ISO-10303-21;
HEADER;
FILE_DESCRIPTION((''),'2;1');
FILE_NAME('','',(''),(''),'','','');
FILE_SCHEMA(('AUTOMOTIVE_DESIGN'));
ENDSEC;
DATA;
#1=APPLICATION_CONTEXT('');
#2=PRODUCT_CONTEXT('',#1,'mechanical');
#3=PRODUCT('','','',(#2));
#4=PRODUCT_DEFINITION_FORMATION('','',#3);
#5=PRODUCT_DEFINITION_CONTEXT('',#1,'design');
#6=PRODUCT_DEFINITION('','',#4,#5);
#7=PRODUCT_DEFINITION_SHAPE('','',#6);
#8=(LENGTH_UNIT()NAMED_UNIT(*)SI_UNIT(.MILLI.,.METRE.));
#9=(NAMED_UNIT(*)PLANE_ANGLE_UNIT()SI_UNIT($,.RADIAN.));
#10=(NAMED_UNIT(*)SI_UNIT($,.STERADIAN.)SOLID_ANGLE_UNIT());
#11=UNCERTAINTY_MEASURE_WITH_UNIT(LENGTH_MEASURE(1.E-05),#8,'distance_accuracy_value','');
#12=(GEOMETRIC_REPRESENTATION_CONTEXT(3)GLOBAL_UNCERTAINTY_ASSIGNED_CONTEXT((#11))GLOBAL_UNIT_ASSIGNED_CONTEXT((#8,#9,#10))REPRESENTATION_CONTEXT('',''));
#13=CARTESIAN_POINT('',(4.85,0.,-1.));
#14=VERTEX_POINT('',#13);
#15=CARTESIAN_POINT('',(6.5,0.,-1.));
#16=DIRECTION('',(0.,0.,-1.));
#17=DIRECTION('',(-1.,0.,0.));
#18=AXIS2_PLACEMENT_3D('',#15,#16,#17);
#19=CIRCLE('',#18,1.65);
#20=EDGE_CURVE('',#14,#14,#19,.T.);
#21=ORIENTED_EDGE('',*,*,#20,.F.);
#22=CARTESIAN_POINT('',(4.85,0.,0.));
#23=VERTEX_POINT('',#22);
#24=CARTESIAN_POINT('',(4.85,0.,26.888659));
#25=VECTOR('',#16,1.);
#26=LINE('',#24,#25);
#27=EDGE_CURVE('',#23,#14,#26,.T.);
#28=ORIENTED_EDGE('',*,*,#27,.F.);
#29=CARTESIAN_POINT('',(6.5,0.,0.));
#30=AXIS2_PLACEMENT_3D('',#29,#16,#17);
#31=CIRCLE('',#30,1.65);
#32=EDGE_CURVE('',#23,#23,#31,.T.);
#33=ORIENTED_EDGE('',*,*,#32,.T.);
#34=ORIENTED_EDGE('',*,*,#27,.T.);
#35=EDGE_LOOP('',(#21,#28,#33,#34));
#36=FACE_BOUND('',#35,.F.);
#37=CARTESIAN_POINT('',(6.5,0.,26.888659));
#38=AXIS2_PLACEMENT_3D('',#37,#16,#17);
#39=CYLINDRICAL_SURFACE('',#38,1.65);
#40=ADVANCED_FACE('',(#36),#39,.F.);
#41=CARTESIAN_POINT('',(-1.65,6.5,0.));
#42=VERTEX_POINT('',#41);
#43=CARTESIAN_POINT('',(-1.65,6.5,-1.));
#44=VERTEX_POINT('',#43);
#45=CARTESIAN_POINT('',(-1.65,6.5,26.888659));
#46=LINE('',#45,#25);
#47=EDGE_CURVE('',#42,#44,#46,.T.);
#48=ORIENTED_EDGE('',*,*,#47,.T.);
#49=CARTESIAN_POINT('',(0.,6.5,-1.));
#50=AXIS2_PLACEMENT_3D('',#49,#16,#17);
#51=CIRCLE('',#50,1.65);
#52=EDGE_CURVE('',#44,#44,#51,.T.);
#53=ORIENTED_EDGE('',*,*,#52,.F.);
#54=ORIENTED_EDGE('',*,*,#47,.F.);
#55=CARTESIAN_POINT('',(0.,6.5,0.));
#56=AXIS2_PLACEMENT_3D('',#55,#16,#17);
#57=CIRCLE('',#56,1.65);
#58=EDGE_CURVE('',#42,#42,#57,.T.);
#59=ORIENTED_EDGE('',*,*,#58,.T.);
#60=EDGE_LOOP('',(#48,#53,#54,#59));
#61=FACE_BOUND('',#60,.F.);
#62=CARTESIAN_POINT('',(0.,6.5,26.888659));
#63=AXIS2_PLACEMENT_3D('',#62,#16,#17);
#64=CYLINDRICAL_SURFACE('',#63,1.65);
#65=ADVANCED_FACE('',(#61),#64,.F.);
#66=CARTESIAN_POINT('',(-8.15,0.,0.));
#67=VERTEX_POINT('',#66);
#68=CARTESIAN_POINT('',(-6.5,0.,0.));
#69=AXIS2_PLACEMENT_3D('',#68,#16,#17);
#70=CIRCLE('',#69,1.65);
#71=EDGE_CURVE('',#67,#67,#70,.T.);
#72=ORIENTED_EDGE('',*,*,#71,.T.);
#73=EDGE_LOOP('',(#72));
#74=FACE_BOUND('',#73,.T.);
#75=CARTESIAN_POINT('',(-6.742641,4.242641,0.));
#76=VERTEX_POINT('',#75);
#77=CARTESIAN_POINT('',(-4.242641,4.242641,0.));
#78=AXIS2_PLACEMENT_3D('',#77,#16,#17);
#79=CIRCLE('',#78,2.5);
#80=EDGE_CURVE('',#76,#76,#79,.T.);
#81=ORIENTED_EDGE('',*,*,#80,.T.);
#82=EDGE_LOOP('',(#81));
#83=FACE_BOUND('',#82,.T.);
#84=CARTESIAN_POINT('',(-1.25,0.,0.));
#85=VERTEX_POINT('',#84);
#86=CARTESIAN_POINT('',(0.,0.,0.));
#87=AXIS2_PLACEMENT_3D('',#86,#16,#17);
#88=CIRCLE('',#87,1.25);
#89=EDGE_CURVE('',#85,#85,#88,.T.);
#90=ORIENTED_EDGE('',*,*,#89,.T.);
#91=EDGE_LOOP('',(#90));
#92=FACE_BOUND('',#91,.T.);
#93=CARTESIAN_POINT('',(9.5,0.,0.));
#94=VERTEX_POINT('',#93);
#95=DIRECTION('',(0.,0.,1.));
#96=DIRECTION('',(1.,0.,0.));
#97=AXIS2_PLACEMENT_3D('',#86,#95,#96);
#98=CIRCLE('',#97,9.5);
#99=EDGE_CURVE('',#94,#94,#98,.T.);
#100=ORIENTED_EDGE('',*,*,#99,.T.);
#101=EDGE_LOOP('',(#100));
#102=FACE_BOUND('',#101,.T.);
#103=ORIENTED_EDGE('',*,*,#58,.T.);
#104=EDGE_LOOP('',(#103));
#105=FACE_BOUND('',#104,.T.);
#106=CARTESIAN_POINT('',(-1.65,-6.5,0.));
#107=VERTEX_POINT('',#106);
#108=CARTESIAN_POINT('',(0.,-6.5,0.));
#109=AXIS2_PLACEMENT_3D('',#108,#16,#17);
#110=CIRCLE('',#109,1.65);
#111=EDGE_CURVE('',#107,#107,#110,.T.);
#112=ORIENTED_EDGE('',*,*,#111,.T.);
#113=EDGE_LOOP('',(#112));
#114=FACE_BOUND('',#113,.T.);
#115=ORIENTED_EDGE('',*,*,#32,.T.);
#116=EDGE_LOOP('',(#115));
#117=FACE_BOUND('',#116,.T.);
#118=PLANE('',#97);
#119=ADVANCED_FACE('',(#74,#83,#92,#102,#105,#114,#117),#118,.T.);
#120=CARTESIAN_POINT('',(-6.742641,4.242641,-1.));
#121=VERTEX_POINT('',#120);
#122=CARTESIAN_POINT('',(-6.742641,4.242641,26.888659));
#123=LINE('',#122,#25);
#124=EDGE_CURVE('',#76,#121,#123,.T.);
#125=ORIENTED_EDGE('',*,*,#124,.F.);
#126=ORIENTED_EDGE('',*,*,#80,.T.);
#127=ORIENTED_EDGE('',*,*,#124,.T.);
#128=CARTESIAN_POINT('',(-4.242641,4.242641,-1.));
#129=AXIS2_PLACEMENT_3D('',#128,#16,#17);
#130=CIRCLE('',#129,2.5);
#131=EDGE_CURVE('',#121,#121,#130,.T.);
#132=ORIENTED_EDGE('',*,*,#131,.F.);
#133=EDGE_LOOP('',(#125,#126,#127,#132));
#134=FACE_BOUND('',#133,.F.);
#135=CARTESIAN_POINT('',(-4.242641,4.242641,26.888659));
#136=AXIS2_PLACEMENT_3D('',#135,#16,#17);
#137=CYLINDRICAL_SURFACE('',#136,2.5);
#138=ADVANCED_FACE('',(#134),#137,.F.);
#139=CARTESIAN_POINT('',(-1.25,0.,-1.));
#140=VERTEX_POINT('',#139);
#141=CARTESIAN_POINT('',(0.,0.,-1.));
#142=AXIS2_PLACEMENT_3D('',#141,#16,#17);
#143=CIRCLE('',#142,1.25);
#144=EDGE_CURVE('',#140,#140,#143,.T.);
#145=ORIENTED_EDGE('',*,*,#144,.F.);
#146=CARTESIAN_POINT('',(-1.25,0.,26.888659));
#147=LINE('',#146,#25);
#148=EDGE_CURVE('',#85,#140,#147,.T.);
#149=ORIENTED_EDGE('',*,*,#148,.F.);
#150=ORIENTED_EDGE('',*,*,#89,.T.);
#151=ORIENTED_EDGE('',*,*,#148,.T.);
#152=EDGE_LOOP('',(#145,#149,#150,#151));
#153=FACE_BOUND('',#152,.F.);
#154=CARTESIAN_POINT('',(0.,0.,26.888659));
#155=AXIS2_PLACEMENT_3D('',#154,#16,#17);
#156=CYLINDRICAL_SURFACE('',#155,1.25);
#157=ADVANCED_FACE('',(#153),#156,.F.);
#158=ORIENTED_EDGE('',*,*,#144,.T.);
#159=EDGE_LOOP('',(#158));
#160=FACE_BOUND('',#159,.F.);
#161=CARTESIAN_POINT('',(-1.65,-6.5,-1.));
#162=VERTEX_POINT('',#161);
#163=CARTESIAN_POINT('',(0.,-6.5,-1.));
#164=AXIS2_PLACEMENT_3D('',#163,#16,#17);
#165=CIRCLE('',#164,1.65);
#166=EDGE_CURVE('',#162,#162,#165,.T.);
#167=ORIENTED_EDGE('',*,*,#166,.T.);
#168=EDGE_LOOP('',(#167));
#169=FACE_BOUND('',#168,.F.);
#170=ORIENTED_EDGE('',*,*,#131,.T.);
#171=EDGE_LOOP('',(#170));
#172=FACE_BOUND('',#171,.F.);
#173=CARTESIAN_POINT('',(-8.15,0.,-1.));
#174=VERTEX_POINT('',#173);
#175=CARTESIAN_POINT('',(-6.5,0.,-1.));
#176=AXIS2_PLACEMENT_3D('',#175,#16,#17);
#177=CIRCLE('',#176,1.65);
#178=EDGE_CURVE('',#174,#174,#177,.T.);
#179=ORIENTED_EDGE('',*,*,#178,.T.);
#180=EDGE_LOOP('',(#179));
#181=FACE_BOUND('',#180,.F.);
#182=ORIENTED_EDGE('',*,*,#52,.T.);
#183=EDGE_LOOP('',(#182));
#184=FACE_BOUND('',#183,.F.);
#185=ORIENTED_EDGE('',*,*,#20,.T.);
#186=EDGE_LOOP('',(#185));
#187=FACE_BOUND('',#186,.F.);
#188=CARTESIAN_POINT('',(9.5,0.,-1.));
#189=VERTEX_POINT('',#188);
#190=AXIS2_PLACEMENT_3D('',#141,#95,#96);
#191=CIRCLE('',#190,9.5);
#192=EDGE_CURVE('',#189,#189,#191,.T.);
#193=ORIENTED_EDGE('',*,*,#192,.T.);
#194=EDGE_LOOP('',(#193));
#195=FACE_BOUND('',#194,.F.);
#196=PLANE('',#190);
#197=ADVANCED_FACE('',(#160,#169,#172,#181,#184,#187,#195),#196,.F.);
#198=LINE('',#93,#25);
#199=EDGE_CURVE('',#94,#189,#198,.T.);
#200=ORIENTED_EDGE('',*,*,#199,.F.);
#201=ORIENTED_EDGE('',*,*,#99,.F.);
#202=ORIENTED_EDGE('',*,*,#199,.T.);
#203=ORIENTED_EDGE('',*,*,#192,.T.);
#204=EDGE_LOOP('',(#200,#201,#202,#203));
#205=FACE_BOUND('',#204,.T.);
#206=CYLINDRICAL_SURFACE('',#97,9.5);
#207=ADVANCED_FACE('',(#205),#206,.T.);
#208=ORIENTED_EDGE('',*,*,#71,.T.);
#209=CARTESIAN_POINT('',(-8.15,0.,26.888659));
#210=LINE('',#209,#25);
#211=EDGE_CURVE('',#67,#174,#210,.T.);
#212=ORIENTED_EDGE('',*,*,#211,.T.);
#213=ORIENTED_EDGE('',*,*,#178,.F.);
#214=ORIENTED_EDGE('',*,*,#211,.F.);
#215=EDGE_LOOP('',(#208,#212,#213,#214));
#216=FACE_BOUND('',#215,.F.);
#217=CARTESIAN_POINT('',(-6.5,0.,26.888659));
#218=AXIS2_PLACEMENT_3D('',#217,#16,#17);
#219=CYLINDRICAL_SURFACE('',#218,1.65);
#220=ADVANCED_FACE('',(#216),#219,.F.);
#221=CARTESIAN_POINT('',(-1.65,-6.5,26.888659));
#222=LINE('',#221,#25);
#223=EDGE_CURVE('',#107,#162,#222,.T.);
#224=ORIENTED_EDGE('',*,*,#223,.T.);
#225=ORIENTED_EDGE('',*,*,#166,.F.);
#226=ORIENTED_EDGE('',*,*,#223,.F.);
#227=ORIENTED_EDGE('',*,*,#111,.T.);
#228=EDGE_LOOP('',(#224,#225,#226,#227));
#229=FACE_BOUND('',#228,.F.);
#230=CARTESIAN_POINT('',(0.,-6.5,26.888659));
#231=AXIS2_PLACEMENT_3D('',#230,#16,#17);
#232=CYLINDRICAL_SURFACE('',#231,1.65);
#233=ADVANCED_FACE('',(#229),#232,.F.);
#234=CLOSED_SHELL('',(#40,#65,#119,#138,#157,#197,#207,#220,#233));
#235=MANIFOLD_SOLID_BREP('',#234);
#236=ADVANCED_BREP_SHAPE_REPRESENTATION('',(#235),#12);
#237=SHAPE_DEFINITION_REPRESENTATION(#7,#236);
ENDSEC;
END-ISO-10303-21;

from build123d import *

# Parameters (mm, degrees)
F0_R     = 9.5
F1_DEPTH = 1
F2_D     = 3.3
F3_D     = 5
F4_D     = 2.5


with BuildPart() as f1:
    # F0 (on Top) → F1 (new body)
    with BuildSketch(Plane.XY):
        Circle(F0_R)
    extrude(amount=-F1_DEPTH)

    # F2 (through all)
    with Locations(Plane.XY):
        with Locations((0, 6.5), (-6.5, 0), (0, -6.5), (6.5, 0)):
            Hole(F2_D / 2)

    # F3 (through all)
    with Locations(Plane.XY):
        with Locations((-4.2426406871, 4.2426406871)):
            Hole(F3_D / 2)

    # F4 (through all)
    with Locations(Plane.XY):
        with Locations((0, 0)):
            Hole(F4_D / 2)


solid = f1.part
